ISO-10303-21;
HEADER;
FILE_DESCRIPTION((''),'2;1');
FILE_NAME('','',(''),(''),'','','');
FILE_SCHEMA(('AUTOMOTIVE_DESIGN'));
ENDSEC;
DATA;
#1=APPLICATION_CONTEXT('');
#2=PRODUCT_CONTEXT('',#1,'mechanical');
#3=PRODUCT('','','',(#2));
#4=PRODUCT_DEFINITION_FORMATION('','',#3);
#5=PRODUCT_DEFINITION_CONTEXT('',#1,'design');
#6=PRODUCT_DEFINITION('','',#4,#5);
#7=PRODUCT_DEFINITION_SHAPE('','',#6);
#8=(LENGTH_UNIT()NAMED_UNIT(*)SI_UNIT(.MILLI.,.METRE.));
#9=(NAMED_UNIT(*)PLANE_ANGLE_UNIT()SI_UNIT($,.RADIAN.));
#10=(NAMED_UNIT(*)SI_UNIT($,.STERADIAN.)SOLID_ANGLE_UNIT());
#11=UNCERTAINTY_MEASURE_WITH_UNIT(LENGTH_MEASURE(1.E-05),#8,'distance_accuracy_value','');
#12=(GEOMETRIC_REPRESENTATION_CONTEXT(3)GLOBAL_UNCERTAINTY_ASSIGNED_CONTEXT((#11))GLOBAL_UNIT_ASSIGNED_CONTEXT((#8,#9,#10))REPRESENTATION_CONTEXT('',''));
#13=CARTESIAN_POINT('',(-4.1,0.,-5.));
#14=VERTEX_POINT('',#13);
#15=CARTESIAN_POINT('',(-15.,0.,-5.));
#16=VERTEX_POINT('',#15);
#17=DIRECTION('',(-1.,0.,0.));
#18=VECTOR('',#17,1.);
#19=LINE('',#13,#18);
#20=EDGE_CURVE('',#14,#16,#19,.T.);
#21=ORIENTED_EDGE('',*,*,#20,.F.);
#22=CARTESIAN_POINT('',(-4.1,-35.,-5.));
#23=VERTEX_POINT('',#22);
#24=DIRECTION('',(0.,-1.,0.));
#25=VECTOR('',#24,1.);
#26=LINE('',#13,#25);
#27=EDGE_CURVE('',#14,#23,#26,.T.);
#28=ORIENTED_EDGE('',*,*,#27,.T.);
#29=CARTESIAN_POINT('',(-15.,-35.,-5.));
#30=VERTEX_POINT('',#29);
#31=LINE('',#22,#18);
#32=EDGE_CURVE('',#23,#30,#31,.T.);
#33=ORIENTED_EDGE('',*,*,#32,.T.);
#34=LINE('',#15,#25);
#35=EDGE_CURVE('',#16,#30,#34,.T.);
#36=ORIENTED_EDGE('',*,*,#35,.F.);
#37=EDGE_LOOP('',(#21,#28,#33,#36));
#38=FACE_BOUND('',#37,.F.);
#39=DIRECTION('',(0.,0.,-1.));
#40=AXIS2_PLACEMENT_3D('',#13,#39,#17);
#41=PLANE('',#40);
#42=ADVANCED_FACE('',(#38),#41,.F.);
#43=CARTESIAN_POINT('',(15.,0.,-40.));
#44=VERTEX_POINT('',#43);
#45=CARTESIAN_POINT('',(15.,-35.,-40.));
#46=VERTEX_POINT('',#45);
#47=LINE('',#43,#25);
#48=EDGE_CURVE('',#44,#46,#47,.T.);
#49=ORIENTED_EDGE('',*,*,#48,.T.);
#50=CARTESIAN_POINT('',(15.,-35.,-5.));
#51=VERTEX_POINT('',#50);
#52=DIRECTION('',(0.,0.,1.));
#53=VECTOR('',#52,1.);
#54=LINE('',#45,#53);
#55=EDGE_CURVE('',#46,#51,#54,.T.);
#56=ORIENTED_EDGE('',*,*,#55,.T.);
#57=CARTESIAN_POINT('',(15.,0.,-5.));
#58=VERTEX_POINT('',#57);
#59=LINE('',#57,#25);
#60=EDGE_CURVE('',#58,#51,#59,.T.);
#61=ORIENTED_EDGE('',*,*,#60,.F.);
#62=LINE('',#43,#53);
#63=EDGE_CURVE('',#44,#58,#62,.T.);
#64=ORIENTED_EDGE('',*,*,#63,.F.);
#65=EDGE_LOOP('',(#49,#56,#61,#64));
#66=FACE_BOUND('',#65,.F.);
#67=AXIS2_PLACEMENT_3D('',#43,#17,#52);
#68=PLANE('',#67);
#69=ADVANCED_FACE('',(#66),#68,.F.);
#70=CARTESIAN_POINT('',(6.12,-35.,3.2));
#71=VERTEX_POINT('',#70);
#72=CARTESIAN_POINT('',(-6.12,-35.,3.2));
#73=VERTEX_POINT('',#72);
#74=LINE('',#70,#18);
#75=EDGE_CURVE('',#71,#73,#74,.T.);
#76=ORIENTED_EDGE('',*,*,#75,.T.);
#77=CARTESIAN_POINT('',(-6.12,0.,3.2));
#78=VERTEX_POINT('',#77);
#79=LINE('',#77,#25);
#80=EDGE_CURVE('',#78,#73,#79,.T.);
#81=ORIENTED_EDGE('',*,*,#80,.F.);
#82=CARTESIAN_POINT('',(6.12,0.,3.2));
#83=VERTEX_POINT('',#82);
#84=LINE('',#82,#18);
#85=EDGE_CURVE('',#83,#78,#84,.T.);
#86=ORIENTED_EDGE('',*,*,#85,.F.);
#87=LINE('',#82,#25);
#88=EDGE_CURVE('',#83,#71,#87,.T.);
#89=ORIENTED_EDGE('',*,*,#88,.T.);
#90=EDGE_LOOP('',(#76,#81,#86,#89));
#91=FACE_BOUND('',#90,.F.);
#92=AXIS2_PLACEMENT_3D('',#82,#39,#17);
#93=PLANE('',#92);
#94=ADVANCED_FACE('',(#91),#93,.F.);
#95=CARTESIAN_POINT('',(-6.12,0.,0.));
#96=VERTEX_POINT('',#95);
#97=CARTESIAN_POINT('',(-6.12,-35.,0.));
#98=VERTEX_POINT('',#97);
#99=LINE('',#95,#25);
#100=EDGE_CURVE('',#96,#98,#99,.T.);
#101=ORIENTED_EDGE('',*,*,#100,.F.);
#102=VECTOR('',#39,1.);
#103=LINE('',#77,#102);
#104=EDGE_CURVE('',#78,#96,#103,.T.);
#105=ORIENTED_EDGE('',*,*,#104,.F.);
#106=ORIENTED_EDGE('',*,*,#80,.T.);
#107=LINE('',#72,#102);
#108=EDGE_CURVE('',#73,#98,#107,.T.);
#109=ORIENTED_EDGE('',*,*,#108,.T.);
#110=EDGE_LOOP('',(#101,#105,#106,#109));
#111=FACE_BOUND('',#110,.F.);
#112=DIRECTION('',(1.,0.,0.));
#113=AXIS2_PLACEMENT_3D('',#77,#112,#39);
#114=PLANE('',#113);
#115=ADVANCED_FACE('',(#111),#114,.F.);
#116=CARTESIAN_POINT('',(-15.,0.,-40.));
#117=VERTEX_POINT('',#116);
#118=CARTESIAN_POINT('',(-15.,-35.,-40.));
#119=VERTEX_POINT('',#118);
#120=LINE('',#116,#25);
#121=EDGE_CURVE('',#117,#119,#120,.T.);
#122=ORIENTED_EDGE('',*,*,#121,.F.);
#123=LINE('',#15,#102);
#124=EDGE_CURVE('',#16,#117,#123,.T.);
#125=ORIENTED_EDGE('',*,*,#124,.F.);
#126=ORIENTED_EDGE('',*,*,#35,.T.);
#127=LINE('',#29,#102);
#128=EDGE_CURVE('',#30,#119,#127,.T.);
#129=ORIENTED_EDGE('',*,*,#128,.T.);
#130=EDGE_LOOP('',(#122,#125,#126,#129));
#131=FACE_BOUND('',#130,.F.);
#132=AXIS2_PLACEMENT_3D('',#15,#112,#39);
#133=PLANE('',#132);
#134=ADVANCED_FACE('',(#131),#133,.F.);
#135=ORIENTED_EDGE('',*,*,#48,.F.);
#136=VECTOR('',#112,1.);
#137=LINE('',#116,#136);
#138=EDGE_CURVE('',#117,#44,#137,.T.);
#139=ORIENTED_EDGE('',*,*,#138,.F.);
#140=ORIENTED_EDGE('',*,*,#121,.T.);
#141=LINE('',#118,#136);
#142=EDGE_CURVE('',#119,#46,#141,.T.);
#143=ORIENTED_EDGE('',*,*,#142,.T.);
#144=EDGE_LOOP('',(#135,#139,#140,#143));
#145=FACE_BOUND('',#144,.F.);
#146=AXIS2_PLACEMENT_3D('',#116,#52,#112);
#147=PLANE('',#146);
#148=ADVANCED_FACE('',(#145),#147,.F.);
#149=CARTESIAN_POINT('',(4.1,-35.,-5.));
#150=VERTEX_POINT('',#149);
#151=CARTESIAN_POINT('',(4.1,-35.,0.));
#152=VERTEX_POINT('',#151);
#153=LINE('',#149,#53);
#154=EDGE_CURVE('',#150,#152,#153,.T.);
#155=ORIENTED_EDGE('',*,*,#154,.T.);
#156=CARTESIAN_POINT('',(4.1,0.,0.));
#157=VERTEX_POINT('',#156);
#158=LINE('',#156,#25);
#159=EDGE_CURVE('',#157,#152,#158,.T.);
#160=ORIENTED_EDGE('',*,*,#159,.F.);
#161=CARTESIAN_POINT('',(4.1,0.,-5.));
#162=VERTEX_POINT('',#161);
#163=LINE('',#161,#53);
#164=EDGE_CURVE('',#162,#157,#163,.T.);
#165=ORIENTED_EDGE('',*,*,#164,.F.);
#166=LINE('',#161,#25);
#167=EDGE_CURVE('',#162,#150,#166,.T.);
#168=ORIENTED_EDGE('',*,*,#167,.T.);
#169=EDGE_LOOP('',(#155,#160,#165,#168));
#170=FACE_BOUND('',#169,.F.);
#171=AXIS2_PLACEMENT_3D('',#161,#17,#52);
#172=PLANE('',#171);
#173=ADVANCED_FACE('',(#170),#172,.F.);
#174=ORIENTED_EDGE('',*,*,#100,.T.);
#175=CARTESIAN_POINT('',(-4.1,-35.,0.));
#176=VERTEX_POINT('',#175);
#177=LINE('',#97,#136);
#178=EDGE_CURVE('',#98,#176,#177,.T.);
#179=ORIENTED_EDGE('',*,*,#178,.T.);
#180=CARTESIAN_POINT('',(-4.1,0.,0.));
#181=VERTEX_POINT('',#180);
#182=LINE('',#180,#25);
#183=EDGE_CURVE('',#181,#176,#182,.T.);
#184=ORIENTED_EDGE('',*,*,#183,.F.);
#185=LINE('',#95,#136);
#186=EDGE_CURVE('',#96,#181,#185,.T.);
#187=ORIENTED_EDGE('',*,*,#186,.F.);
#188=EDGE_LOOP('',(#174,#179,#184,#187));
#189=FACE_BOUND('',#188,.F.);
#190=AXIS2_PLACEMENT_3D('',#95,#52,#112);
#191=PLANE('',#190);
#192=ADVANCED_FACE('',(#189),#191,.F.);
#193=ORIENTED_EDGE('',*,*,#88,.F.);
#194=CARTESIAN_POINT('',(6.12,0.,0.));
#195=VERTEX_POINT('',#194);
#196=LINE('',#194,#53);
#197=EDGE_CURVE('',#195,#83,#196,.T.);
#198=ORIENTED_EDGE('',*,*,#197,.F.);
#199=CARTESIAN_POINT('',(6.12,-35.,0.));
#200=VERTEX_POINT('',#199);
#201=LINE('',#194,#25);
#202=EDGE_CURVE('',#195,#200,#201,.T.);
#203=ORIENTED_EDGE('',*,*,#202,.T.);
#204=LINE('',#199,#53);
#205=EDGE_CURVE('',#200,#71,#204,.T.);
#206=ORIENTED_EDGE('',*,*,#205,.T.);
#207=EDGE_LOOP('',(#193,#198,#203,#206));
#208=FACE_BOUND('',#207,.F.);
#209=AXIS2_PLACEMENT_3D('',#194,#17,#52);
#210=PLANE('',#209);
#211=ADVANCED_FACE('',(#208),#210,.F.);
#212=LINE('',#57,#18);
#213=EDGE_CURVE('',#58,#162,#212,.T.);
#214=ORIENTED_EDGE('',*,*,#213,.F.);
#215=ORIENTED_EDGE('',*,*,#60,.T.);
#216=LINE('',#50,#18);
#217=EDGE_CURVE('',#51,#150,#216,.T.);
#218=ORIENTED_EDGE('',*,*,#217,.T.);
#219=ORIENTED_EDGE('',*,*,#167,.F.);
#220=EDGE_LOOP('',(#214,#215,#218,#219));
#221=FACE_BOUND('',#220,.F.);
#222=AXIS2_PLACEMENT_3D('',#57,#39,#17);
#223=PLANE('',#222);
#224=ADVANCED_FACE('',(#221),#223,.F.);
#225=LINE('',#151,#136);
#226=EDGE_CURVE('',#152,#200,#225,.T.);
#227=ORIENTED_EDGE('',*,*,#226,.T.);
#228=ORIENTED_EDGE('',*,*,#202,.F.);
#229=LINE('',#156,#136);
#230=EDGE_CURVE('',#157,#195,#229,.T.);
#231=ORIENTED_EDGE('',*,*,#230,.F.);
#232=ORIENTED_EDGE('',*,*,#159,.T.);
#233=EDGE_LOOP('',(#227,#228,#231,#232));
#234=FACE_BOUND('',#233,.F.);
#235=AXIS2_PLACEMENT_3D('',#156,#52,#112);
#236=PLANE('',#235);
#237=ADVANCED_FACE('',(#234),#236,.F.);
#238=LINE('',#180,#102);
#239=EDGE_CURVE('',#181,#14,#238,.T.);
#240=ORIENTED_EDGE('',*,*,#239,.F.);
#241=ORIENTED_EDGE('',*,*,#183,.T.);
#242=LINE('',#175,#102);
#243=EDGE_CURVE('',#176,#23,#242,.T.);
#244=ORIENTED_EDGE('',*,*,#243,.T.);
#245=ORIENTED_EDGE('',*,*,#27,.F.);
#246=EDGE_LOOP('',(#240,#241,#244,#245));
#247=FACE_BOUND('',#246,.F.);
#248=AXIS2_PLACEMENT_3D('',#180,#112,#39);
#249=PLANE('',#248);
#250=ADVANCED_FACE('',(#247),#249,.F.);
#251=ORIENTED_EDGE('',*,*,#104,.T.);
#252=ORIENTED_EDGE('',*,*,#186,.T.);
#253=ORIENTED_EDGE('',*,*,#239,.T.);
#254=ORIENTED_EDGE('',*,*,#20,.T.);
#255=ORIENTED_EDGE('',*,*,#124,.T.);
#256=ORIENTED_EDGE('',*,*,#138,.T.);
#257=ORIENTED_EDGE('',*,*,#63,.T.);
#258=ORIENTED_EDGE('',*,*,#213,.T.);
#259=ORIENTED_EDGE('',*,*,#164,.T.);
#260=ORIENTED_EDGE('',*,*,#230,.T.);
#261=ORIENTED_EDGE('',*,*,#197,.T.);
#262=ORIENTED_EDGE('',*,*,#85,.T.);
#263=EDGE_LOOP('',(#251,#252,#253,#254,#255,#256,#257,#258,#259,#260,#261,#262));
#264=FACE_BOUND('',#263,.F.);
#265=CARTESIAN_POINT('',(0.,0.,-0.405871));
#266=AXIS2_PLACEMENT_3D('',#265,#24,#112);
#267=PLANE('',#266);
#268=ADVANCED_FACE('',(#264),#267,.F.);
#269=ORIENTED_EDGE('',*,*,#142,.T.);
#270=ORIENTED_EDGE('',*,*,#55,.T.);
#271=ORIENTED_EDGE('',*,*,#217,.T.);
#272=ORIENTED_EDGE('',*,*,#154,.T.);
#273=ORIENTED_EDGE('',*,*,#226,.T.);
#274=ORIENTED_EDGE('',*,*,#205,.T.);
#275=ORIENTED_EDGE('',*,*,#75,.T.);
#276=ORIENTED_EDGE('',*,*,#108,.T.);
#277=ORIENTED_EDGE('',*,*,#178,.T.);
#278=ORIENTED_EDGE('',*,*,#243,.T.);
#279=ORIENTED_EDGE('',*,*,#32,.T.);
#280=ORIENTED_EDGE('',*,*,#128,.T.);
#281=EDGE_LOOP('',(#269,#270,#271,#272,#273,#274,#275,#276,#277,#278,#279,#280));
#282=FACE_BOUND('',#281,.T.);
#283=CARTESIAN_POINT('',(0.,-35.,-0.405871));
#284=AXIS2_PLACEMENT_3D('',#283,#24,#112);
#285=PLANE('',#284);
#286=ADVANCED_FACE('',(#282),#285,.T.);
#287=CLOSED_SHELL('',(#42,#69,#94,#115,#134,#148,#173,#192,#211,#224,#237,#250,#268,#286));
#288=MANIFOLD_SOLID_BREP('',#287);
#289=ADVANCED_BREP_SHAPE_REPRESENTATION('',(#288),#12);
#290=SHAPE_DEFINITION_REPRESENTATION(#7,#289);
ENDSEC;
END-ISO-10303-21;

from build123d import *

# Parameters (mm, degrees)
F1_DEPTH = 35


with BuildPart() as f1:
    # F0 (on Front) → F1 (new body)
    with BuildSketch(Plane.XZ):
        Polygon((-6.12, 3.2), (-6.12, 0), (-4.1, 0), (-4.1, -5), (4.1, -5), (4.1, 0), (6.12, 0), (6.12, 3.2), (0, 3.2), align=None)
        Polygon((4.1, -5), (-4.1, -5), (-11.1, -5), (-15, -5), (-15, -40), (15, -40), (15, -5), (11.1, -5), align=None)
    extrude(amount=F1_DEPTH)


solid = f1.part
